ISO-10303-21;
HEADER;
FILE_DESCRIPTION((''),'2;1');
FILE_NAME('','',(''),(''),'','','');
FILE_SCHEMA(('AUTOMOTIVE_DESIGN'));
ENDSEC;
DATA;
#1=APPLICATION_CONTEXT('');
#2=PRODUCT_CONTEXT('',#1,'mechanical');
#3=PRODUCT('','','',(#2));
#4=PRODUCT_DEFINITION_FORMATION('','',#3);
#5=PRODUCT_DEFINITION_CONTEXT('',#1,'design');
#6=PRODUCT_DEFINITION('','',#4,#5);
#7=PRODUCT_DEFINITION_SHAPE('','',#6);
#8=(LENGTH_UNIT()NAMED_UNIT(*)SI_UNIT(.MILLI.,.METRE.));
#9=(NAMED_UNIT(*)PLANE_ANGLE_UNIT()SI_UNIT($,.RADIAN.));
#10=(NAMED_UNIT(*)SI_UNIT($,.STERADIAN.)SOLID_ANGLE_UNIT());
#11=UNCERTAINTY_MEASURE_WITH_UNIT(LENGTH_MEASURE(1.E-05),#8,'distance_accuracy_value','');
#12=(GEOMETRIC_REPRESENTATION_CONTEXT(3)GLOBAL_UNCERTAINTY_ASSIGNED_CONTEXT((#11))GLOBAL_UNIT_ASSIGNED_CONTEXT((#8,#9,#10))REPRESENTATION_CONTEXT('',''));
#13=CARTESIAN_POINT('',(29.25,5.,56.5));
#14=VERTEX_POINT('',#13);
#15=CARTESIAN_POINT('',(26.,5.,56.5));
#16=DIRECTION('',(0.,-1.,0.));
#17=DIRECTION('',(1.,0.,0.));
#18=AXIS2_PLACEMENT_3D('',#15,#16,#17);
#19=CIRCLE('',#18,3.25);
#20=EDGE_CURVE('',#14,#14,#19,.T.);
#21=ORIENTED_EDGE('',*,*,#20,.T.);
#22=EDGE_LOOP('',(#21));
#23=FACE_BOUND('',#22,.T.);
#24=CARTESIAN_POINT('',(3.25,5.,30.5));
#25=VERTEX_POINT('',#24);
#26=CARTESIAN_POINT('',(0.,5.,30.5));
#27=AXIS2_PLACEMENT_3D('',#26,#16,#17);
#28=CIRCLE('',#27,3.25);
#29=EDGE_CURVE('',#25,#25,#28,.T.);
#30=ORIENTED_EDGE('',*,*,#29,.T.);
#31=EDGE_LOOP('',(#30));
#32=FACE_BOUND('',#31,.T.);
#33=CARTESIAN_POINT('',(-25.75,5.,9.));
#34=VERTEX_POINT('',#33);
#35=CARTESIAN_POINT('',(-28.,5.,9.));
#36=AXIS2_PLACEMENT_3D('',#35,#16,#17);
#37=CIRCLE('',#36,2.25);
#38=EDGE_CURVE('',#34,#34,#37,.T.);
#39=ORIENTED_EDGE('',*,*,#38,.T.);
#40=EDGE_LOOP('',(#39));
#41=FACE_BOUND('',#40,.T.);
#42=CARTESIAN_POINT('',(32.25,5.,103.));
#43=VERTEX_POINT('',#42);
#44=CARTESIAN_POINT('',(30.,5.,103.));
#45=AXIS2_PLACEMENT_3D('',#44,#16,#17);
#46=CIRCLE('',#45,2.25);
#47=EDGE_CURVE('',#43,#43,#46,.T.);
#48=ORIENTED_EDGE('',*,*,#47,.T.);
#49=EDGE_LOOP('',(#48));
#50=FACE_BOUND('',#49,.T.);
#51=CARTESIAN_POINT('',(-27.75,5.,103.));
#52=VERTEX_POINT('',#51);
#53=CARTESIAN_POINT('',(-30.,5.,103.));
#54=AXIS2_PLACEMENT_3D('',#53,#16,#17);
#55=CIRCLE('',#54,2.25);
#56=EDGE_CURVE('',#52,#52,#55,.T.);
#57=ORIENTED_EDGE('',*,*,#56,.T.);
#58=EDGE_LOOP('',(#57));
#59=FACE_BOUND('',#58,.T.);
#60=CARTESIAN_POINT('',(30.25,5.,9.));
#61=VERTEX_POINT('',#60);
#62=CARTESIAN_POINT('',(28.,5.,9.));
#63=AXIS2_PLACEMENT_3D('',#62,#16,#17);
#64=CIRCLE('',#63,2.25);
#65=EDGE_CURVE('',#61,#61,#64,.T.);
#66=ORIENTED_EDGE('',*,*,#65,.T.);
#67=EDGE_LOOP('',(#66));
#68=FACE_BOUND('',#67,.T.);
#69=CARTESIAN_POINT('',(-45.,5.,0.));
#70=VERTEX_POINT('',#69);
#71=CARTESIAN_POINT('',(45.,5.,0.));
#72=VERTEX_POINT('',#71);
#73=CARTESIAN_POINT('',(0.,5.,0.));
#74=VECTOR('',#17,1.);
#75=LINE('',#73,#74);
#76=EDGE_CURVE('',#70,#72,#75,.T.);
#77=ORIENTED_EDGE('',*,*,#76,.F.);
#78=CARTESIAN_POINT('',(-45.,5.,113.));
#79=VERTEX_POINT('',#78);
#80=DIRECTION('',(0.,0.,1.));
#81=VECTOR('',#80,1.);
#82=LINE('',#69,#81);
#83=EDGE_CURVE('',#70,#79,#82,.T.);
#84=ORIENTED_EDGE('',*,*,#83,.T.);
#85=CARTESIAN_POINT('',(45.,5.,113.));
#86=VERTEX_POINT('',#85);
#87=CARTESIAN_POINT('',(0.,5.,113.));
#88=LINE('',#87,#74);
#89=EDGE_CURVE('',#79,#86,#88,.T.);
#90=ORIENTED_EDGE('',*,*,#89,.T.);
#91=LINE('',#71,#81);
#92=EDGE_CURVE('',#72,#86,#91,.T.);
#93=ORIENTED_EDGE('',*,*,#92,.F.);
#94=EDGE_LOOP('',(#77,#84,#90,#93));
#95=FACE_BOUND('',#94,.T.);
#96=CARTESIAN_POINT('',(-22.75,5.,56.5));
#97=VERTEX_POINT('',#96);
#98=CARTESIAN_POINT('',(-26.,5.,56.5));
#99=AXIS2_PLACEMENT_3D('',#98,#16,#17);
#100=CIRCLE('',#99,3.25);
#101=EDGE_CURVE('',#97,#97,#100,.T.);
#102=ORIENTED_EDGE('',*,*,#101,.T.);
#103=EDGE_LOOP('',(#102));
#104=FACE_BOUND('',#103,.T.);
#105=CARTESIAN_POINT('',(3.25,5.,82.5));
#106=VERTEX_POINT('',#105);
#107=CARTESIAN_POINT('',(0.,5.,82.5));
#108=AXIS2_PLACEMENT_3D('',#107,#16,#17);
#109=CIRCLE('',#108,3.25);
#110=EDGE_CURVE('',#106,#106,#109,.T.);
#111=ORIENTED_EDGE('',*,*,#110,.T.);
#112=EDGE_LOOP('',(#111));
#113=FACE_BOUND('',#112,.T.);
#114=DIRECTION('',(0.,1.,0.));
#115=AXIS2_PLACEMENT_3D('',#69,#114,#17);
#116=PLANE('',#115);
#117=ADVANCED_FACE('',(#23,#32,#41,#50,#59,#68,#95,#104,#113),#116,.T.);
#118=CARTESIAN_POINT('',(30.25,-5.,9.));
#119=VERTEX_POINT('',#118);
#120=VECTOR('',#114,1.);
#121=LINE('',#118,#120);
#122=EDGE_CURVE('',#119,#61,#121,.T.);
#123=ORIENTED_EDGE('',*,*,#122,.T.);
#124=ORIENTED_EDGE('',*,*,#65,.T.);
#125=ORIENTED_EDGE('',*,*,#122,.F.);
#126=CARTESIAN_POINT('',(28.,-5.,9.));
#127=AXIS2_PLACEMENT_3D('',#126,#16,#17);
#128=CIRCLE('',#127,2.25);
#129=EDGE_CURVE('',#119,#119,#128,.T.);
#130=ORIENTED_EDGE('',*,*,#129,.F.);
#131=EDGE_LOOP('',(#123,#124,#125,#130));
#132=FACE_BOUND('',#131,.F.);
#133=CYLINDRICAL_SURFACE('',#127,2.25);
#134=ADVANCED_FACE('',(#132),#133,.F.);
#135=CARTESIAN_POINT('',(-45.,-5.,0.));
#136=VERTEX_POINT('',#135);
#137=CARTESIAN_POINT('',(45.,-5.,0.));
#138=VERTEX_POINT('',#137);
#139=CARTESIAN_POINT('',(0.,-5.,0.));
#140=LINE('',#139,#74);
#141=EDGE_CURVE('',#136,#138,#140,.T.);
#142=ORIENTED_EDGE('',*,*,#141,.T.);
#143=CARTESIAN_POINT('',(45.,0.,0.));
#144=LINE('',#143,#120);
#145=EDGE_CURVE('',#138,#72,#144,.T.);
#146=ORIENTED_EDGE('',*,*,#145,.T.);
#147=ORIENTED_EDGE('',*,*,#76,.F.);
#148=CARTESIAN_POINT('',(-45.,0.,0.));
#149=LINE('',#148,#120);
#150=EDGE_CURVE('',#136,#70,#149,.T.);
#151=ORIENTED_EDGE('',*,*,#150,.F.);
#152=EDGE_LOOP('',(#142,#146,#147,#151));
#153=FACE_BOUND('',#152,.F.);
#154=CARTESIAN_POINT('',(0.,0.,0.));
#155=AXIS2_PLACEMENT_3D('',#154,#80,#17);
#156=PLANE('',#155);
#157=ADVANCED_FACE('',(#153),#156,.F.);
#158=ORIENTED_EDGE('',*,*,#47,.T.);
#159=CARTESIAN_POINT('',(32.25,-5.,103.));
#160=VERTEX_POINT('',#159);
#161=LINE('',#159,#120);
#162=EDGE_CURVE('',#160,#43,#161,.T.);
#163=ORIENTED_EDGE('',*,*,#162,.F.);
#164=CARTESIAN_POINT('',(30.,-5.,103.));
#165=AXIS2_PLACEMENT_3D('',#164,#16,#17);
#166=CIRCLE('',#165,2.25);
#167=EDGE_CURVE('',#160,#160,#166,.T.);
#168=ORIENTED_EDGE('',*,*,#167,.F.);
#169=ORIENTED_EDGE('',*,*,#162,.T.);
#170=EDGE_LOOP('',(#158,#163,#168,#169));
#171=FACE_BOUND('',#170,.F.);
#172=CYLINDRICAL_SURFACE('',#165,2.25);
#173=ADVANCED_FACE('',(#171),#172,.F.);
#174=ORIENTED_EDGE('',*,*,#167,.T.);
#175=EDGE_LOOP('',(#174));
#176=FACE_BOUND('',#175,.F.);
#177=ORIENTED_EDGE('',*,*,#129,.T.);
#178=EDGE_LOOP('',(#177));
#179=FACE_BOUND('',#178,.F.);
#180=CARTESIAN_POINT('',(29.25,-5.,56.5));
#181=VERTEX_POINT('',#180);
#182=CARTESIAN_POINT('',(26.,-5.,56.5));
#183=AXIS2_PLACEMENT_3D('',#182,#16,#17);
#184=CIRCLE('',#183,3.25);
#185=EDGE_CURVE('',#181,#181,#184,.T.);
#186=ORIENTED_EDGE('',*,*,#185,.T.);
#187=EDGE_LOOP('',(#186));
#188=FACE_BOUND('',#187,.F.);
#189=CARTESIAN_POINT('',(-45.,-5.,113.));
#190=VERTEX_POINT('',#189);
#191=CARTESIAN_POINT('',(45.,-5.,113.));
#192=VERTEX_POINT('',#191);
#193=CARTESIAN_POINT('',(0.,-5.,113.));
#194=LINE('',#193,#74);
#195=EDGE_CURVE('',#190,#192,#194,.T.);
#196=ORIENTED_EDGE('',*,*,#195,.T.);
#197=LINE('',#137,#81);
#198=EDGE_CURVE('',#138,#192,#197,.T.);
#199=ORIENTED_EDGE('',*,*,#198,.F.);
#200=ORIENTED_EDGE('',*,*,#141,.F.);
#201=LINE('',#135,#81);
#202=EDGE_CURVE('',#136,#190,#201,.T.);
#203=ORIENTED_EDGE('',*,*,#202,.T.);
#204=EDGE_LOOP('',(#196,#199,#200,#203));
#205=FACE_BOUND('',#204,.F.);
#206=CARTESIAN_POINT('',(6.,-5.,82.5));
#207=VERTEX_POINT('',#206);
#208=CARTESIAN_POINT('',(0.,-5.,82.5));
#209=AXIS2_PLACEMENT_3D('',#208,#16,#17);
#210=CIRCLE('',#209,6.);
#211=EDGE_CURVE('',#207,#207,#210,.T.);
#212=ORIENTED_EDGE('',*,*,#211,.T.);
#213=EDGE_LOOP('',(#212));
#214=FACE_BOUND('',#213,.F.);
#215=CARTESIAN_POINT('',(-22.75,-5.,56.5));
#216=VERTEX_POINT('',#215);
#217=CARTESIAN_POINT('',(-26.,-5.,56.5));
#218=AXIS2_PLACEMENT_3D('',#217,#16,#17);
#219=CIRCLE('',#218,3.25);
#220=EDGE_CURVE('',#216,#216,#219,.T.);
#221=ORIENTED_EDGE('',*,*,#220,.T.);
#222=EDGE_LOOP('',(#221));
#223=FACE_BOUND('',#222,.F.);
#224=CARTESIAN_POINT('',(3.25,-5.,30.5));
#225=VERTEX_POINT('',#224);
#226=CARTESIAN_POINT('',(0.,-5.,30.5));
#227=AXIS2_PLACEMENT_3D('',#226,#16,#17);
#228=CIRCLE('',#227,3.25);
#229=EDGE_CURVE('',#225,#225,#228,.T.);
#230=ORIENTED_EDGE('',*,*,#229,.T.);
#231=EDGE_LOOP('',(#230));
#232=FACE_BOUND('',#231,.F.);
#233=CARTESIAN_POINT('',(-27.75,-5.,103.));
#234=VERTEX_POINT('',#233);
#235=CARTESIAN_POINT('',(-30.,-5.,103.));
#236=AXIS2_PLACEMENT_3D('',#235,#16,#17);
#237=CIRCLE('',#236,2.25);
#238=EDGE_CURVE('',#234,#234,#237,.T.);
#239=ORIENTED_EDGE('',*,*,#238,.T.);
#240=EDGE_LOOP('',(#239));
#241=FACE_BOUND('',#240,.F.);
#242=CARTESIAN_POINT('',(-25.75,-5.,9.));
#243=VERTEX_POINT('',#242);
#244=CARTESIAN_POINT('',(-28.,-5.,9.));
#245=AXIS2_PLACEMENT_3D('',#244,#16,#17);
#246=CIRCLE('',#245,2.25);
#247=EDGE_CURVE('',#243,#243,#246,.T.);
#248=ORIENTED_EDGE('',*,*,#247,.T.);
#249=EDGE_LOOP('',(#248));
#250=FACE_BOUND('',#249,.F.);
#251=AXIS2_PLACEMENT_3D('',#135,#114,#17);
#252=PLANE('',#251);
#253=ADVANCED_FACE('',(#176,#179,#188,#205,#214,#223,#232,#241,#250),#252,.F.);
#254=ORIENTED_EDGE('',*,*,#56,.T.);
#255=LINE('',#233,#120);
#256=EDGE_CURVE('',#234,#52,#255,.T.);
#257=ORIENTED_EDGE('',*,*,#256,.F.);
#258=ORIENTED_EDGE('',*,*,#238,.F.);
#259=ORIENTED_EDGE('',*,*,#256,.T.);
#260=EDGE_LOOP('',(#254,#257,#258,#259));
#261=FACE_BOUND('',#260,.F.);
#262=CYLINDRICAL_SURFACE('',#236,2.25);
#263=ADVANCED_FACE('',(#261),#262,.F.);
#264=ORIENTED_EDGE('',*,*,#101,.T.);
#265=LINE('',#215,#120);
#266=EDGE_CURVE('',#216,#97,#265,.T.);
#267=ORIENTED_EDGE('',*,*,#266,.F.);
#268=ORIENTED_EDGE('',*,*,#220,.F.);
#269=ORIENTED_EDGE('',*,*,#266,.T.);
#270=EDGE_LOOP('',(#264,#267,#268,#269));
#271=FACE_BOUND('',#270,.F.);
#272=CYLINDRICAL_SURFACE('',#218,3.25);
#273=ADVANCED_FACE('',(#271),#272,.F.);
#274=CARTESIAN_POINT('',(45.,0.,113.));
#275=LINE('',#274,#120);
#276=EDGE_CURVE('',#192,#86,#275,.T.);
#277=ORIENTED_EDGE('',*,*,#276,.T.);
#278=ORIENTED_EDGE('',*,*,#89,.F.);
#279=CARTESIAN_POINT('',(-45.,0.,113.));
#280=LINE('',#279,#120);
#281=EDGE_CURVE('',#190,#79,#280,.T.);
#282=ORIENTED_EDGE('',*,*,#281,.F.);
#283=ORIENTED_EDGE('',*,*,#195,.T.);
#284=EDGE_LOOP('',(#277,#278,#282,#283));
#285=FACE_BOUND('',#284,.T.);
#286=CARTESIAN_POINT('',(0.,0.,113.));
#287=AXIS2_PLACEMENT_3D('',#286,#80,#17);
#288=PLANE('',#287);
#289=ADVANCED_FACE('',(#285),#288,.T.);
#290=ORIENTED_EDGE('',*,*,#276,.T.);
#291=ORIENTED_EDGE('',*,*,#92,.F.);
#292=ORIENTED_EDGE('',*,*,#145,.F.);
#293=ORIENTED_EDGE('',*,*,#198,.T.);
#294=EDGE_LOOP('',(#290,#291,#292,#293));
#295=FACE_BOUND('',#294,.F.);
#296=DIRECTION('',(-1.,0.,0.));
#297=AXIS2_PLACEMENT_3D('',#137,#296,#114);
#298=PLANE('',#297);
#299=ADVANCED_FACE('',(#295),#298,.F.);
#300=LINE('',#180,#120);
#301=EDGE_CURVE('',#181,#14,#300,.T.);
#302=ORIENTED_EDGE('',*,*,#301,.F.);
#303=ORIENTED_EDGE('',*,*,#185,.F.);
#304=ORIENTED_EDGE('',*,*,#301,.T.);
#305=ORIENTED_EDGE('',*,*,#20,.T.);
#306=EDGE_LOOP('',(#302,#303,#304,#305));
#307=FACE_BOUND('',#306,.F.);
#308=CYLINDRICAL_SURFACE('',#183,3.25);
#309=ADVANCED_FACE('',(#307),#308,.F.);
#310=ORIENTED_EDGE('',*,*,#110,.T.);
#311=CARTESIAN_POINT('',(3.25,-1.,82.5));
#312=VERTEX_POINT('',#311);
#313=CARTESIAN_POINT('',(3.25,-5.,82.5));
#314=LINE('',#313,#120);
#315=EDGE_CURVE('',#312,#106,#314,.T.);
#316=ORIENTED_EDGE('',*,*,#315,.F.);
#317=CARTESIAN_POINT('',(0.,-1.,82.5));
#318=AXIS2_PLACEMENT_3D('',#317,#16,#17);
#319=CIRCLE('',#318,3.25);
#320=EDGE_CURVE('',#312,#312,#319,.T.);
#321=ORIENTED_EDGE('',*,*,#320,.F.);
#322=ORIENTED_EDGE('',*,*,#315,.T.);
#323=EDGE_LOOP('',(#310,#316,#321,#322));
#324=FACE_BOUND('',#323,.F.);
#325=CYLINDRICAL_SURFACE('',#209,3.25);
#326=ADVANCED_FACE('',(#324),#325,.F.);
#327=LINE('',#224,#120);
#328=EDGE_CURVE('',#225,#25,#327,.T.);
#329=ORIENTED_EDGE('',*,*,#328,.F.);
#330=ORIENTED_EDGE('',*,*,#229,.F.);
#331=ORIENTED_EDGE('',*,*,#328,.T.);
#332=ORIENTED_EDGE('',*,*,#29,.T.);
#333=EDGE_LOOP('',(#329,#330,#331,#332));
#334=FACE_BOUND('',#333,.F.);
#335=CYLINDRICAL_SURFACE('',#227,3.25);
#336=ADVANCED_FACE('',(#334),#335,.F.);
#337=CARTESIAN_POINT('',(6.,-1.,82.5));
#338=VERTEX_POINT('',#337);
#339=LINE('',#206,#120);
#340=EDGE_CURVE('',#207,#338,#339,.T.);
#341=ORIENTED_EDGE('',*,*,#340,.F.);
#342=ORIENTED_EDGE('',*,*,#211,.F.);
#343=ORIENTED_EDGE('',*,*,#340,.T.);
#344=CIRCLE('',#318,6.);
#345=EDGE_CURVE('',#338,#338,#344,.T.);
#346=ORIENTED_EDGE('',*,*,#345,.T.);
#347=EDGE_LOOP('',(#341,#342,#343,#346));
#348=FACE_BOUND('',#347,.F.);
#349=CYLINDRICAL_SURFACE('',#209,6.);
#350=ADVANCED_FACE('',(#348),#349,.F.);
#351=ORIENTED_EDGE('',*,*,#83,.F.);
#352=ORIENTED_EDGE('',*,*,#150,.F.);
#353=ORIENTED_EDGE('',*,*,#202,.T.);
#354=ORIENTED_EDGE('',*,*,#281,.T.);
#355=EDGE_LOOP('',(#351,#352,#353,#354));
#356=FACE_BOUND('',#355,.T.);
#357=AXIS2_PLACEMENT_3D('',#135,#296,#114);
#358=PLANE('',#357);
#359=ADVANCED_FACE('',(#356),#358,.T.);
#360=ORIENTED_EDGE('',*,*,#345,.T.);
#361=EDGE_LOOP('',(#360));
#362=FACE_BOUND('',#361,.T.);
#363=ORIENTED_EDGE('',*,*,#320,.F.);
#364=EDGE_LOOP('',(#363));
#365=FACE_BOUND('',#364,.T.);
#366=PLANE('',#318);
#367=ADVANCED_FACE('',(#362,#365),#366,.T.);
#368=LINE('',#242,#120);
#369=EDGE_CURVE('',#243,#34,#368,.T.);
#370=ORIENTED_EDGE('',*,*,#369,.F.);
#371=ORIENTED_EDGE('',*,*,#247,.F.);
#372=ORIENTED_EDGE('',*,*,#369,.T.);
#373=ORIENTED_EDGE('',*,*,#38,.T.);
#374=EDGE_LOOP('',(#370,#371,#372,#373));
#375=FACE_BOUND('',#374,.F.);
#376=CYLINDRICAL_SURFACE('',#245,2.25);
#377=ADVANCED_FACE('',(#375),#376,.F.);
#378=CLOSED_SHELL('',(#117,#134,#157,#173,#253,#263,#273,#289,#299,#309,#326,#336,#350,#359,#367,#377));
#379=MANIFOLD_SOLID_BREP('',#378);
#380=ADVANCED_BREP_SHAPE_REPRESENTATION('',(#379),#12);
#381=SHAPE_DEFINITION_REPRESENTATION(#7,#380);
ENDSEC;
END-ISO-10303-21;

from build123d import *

# Parameters (mm, degrees)
SKETCH_W        = 90
SKETCH_H        = 10
PAD_DEPTH       = 113
SKETCH001_R     = 2.25
SKETCH001_R_2   = 3.25
POCKET_DEPTH    = 10.001
SKETCH002_R     = 6
POCKET001_DEPTH = 4


with BuildPart() as part:
    # Sketch → Pad (new body)
    with BuildSketch(Plane.XY):
        Rectangle(SKETCH_W, SKETCH_H)
    extrude(amount=PAD_DEPTH)

    # Sketch001 → Pocket (cut, through all)
    with BuildSketch(Plane.XZ.offset(5)):
        with Locations((-30, 103)):
            Circle(SKETCH001_R)
        with Locations((30, 103)):
            Circle(SKETCH001_R)
        with Locations((28, 9)):
            Circle(SKETCH001_R)
        with Locations((-28, 9)):
            Circle(SKETCH001_R)
        with Locations((0, 82.5)):
            Circle(SKETCH001_R_2)
        with Locations((0, 30.5)):
            Circle(SKETCH001_R_2)
        with Locations((26, 56.5)):
            Circle(SKETCH001_R_2)
        with Locations((-26, 56.5)):
            Circle(SKETCH001_R_2)
    extrude(amount=-POCKET_DEPTH, mode=Mode.SUBTRACT)

    # Sketch002 → Pocket001 (cut)
    with BuildSketch(Plane.XZ.offset(5)):
        with Locations((0, 82.5)):
            Circle(SKETCH002_R)
    extrude(amount=-POCKET001_DEPTH, mode=Mode.SUBTRACT)


solid = part.part
